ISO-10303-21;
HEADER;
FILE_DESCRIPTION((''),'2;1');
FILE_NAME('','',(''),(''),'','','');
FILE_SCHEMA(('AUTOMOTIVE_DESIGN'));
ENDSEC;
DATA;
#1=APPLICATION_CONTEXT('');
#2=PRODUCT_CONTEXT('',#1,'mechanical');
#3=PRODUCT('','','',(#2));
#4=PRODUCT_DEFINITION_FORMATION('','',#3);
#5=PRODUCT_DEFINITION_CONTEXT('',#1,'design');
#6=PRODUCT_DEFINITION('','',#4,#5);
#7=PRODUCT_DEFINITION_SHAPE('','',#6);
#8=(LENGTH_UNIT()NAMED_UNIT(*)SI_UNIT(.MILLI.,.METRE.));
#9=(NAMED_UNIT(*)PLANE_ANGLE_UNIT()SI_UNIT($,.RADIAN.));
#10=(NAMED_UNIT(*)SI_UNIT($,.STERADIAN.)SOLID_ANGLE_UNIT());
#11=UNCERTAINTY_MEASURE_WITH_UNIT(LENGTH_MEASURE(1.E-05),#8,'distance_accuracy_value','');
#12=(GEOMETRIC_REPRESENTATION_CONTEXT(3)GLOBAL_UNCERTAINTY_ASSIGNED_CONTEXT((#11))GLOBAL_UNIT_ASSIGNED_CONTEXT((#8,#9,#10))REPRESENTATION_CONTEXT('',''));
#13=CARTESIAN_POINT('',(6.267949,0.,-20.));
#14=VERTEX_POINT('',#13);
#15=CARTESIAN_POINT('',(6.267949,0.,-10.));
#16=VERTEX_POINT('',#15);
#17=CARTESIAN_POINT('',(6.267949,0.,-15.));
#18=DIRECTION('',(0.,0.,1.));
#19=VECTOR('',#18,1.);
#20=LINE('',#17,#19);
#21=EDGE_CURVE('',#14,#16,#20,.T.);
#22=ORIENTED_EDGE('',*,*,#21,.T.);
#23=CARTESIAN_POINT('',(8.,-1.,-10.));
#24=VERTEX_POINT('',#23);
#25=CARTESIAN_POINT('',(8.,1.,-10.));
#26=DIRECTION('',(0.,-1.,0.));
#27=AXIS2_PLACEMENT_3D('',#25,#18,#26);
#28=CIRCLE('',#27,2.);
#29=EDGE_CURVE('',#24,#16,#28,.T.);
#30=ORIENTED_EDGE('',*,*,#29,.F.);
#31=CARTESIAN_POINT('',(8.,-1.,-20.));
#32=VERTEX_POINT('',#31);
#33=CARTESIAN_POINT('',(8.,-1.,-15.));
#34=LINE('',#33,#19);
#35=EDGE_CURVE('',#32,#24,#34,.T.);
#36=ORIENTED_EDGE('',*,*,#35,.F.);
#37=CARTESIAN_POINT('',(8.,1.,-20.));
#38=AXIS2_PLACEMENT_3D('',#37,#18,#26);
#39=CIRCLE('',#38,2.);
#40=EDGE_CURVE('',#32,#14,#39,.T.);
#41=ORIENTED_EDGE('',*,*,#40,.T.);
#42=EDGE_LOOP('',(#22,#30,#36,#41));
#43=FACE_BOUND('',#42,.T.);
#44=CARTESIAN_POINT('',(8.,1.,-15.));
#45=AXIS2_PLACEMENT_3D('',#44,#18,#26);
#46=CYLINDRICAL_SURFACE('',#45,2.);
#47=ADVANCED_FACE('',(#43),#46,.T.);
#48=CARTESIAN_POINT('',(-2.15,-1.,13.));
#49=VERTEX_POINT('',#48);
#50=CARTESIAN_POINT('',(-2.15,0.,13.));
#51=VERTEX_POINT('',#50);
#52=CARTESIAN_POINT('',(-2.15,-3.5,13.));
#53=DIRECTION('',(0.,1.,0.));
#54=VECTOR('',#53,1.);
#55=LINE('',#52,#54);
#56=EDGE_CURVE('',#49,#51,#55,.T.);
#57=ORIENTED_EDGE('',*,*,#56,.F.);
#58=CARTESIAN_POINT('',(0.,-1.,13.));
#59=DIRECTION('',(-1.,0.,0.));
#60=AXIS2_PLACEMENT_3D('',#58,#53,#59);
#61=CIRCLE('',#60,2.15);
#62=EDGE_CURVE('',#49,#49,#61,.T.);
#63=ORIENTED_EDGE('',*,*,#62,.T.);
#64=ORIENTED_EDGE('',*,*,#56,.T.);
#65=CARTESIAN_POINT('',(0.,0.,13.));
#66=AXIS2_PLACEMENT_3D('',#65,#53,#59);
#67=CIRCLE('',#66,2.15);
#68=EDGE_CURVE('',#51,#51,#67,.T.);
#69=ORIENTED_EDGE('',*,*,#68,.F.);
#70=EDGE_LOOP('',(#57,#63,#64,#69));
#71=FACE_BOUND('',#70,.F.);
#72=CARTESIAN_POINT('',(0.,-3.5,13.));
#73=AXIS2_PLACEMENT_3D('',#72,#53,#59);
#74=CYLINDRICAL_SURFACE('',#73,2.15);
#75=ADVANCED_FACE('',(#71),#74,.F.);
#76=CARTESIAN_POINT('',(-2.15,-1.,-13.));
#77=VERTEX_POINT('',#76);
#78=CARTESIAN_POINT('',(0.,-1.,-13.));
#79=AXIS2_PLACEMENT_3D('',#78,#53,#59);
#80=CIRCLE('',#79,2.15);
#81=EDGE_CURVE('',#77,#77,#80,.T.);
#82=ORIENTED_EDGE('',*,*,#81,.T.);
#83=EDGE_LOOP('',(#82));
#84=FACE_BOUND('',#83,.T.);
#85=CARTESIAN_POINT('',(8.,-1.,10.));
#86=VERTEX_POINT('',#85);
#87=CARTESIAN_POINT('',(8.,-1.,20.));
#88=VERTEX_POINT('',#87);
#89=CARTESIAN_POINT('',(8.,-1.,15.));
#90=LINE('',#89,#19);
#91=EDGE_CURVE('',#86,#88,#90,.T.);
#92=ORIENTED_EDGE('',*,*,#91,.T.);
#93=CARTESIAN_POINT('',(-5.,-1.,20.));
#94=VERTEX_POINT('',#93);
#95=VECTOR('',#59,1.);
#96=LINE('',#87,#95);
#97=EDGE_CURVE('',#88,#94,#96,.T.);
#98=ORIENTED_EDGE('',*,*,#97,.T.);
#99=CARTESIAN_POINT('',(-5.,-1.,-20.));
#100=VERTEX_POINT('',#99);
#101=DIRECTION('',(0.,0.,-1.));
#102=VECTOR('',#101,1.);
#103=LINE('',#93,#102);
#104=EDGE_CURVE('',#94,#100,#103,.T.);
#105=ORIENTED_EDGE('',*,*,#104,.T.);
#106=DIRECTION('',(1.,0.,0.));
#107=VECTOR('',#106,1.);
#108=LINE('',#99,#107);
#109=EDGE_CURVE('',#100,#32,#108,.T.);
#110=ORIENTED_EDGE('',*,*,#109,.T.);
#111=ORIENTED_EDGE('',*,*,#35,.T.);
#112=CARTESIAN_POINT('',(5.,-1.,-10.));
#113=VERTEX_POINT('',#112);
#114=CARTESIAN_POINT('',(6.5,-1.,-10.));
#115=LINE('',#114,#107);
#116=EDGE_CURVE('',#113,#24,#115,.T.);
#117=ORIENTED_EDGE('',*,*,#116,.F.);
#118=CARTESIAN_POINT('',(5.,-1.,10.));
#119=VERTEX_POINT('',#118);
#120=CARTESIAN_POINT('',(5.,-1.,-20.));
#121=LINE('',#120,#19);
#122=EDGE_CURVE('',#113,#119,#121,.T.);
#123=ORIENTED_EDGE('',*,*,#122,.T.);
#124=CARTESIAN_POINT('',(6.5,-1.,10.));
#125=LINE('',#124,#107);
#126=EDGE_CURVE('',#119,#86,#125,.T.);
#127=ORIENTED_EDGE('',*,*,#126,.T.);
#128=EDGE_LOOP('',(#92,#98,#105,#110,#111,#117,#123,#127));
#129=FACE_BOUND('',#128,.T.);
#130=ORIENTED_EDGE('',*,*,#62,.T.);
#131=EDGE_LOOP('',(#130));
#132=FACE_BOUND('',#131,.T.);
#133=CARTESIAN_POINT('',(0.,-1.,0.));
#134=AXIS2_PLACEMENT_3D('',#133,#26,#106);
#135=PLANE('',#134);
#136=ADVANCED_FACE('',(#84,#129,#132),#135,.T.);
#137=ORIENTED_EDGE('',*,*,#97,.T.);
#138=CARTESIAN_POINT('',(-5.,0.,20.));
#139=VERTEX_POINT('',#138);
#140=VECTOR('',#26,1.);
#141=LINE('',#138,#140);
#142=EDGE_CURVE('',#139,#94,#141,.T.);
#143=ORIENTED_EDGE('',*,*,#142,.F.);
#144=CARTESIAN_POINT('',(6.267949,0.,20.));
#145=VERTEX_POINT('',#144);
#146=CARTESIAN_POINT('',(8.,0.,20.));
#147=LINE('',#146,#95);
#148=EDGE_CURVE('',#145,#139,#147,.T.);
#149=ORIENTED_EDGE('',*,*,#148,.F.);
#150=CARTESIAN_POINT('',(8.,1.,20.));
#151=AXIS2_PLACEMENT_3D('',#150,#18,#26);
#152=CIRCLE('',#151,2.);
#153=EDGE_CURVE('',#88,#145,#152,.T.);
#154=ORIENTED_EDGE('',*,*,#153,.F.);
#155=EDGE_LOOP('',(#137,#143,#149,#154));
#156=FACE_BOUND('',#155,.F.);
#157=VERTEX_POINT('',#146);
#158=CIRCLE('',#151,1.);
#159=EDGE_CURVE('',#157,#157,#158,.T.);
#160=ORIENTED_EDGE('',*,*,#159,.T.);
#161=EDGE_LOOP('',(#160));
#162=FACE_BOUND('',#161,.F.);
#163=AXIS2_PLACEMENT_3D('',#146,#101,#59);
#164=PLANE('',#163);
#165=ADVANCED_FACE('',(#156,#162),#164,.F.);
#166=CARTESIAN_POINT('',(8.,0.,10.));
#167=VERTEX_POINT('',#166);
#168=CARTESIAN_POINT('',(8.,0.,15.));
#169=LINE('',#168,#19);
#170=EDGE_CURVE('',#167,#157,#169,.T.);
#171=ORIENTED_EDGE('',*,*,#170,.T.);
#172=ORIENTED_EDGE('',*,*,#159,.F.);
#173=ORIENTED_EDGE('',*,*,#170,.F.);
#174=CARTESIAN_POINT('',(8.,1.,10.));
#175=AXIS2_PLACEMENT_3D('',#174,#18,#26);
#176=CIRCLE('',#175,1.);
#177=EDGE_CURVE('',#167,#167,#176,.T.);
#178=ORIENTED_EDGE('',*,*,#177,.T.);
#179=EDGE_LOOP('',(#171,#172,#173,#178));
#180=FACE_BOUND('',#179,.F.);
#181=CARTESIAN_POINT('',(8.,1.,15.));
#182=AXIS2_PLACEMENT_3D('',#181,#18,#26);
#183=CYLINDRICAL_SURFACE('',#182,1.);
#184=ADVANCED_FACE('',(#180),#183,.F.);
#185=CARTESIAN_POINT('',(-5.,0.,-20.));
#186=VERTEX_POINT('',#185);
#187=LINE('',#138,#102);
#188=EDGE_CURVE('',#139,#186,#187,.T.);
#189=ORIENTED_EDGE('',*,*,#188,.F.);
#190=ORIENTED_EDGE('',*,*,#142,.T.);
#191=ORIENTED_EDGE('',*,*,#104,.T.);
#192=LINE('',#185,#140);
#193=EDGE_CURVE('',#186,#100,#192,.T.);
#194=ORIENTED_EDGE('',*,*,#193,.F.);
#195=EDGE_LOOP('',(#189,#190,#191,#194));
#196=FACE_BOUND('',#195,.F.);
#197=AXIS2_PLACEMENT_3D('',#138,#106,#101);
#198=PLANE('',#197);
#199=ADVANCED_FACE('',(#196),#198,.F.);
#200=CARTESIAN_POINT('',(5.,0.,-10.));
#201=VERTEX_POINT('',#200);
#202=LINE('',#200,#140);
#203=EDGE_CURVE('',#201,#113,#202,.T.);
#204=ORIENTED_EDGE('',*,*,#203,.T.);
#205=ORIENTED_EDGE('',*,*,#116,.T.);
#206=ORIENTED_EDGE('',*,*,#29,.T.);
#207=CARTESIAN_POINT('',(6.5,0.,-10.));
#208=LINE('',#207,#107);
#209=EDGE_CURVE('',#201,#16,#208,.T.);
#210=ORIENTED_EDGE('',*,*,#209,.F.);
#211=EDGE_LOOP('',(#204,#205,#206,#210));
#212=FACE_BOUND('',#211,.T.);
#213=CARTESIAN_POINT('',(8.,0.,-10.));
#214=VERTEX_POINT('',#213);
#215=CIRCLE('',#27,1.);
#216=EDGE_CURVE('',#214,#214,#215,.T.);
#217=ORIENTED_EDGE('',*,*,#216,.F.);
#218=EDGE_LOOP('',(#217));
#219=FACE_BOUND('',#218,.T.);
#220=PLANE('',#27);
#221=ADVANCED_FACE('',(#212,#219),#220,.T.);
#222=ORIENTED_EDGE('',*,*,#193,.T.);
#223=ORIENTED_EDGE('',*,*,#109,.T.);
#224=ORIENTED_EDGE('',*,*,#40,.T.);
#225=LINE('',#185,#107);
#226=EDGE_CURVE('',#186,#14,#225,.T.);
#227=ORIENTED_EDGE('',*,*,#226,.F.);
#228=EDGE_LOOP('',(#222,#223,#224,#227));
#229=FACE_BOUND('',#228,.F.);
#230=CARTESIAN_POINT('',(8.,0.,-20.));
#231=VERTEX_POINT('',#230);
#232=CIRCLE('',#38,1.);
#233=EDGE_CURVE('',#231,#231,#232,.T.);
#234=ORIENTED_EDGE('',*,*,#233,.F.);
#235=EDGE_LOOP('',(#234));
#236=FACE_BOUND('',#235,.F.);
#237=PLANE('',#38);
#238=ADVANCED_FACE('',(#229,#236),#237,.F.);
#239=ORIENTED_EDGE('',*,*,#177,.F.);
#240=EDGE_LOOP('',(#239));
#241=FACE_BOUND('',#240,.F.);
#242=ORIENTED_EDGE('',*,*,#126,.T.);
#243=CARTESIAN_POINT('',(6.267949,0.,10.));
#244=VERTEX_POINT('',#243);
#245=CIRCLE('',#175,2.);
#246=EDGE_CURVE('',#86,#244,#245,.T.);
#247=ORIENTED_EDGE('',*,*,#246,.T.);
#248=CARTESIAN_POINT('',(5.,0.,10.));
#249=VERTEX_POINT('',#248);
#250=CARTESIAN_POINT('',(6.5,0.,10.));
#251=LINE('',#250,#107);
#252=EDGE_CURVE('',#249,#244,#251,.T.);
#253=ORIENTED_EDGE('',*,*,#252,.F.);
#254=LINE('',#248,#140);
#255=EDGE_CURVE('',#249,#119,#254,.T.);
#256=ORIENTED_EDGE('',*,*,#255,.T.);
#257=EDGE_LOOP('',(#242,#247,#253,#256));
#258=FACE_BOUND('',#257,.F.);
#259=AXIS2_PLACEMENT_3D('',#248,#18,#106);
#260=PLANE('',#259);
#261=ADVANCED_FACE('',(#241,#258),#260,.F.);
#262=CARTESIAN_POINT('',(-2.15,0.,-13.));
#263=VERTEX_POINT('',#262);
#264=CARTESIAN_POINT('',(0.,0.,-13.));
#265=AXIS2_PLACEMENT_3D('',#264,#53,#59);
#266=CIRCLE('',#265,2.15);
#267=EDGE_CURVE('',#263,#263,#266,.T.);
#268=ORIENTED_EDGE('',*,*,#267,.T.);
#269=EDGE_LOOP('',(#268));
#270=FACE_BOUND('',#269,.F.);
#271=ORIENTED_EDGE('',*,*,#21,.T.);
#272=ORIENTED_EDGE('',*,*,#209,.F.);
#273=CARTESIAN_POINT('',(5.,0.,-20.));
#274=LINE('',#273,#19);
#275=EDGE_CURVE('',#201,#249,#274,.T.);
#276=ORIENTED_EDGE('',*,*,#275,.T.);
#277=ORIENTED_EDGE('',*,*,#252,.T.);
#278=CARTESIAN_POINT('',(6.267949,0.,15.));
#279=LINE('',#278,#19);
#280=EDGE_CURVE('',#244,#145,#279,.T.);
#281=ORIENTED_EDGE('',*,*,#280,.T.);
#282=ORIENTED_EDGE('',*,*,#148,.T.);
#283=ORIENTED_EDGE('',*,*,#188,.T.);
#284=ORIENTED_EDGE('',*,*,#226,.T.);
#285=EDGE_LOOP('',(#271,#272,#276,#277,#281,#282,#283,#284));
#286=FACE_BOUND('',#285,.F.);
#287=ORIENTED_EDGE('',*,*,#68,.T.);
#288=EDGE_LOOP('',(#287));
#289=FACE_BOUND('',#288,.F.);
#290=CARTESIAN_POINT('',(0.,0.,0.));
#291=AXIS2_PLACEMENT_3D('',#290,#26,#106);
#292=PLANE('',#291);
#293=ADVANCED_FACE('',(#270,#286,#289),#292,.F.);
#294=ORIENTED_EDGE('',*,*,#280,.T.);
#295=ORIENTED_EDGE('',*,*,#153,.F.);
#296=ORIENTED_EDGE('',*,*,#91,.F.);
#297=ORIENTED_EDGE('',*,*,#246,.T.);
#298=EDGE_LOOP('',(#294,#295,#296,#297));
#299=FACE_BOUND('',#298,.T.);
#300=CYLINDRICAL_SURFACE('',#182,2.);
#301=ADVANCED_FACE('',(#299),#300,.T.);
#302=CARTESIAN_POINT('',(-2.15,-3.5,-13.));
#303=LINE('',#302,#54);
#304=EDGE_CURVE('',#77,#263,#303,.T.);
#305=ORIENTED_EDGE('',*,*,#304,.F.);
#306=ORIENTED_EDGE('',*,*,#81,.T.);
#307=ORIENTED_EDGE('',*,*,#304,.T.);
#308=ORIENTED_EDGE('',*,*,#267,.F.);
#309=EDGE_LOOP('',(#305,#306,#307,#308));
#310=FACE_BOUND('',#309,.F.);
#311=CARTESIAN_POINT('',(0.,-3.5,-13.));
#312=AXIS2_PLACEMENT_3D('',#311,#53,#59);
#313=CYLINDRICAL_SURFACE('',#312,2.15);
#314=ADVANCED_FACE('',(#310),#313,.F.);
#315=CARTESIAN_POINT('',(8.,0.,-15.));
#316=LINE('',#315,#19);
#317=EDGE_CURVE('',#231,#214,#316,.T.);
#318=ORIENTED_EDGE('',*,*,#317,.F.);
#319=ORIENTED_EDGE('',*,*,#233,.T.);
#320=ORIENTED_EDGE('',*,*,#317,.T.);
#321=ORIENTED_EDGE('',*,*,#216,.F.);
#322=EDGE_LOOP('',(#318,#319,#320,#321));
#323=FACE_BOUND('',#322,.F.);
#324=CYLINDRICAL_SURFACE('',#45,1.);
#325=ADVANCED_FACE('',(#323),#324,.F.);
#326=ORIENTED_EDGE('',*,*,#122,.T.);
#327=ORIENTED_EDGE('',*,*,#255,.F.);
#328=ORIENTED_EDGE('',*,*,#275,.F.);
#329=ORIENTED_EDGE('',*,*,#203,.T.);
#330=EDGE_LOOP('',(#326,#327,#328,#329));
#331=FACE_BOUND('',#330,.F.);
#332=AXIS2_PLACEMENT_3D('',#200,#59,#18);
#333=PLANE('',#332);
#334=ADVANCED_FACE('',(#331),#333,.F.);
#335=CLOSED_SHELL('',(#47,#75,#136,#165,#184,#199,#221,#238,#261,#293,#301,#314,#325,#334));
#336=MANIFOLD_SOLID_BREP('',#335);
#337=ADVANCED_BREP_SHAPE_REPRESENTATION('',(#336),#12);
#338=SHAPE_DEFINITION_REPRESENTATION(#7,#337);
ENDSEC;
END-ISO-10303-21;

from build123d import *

# Parameters (mm, degrees)
F0_W     = 3
F0_H     = 10
F1_DEPTH = 1
F2_W     = 1
F2_H     = 10
F5_D     = 4.3
F5_DEPTH = 2.5


with BuildPart() as f1:
    # F0 (on Front) → F1 (new body)
    with BuildSketch(Plane.XZ):
        Polygon((5, 10), (5, 20), (-5, 20), (-5, -20), (5, -20), (5, -10), align=None)
        with Locations((6.5, -15)):
            Rectangle(F0_W, F0_H)
        with Locations((6.5, 15)):
            Rectangle(F0_W, F0_H)
    extrude(amount=F1_DEPTH)

    # F2 (on face) → F3 (revolve)
    with BuildSketch(Plane.YZ.offset(8)):
        with Locations((-0.5, -15)):
            Rectangle(F2_W, F2_H)
        with Locations((-0.5, 15)):
            Rectangle(F2_W, F2_H)
    revolve(axis=Axis((8, 1, 0), (0, 0, 1)))

    # F5
    with Locations(Plane.XZ.offset(1)):
        with Locations((0, 13), (0, -13)):
            Hole(F5_D / 2, depth=F5_DEPTH)


solid = f1.part
